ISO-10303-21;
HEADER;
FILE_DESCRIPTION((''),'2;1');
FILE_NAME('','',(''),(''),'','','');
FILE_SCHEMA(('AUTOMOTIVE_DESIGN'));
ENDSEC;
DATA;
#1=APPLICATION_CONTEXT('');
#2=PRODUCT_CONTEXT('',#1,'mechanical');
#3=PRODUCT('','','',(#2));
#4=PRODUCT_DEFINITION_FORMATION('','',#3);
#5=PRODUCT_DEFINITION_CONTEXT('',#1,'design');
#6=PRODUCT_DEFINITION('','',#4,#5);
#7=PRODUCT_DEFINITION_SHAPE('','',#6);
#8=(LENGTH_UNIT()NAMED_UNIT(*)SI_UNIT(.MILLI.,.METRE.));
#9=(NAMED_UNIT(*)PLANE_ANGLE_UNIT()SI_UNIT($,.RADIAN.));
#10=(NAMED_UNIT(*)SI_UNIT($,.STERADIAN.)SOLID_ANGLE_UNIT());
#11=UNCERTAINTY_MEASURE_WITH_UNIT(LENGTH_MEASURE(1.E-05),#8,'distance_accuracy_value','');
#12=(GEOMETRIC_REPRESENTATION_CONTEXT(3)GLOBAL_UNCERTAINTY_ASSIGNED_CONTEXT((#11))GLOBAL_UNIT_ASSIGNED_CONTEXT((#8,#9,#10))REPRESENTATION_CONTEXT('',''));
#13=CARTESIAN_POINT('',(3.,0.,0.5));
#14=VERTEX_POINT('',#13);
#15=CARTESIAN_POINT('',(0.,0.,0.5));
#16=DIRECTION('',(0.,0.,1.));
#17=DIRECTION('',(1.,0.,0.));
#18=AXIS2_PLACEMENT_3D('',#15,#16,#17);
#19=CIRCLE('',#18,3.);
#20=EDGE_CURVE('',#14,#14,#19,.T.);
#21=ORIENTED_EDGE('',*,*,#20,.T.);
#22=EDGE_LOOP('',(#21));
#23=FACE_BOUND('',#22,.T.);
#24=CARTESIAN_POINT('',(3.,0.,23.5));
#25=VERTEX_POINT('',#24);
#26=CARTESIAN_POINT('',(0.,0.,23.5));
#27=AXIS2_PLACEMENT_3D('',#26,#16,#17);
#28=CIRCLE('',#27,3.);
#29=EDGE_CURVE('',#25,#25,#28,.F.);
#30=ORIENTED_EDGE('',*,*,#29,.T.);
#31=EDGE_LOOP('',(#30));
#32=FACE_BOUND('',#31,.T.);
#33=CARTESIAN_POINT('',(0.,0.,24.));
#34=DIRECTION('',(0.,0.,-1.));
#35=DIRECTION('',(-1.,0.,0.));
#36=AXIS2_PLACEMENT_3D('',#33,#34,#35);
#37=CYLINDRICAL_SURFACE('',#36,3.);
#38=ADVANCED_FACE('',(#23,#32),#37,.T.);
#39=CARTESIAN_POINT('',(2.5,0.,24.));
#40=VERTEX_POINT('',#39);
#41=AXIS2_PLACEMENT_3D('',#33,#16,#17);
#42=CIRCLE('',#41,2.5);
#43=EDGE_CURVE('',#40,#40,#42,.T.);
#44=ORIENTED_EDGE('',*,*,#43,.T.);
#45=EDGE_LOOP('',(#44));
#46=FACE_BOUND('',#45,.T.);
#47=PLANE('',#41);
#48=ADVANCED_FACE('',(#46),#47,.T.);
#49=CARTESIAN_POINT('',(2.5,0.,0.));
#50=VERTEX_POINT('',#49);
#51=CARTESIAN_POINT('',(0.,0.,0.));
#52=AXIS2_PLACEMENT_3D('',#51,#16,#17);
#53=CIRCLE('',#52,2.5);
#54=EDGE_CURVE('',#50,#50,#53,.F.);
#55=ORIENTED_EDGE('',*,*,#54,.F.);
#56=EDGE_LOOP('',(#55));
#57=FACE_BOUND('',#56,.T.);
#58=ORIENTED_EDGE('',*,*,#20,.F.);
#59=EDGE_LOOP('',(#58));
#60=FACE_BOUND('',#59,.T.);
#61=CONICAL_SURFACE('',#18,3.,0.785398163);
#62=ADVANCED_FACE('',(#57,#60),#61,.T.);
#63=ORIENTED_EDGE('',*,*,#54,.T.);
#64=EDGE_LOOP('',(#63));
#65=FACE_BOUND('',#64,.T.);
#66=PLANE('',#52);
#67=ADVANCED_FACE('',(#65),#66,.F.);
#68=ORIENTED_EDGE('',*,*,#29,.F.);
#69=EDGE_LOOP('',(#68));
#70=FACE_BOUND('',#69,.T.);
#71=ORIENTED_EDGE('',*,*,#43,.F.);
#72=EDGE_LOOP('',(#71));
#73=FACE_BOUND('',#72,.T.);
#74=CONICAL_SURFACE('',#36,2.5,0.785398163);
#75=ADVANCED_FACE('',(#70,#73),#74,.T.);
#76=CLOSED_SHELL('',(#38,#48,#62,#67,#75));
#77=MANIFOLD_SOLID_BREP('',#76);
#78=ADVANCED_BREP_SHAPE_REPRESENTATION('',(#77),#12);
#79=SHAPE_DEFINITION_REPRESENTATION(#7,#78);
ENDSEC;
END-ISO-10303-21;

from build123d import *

# Parameters (mm, degrees)
ESQUISSE1_R          = 3
BASE_EXTRUSION_DEPTH = 24
CHANFREIN1_SIZE      = 0.5


with BuildPart() as part:
    # Esquisse1 → Base-Extrusion (new body)
    with BuildSketch(Plane.XY):
        Circle(ESQUISSE1_R)
    extrude(amount=BASE_EXTRUSION_DEPTH)

    # Chanfrein1
    chanfrein1_edges = [part.edges().sort_by_distance(p)[0] for p in [
        (-3, 0, 0),
        (-3, 0, 24),
    ]]
    chamfer(chanfrein1_edges, length=CHANFREIN1_SIZE)


solid = part.part
